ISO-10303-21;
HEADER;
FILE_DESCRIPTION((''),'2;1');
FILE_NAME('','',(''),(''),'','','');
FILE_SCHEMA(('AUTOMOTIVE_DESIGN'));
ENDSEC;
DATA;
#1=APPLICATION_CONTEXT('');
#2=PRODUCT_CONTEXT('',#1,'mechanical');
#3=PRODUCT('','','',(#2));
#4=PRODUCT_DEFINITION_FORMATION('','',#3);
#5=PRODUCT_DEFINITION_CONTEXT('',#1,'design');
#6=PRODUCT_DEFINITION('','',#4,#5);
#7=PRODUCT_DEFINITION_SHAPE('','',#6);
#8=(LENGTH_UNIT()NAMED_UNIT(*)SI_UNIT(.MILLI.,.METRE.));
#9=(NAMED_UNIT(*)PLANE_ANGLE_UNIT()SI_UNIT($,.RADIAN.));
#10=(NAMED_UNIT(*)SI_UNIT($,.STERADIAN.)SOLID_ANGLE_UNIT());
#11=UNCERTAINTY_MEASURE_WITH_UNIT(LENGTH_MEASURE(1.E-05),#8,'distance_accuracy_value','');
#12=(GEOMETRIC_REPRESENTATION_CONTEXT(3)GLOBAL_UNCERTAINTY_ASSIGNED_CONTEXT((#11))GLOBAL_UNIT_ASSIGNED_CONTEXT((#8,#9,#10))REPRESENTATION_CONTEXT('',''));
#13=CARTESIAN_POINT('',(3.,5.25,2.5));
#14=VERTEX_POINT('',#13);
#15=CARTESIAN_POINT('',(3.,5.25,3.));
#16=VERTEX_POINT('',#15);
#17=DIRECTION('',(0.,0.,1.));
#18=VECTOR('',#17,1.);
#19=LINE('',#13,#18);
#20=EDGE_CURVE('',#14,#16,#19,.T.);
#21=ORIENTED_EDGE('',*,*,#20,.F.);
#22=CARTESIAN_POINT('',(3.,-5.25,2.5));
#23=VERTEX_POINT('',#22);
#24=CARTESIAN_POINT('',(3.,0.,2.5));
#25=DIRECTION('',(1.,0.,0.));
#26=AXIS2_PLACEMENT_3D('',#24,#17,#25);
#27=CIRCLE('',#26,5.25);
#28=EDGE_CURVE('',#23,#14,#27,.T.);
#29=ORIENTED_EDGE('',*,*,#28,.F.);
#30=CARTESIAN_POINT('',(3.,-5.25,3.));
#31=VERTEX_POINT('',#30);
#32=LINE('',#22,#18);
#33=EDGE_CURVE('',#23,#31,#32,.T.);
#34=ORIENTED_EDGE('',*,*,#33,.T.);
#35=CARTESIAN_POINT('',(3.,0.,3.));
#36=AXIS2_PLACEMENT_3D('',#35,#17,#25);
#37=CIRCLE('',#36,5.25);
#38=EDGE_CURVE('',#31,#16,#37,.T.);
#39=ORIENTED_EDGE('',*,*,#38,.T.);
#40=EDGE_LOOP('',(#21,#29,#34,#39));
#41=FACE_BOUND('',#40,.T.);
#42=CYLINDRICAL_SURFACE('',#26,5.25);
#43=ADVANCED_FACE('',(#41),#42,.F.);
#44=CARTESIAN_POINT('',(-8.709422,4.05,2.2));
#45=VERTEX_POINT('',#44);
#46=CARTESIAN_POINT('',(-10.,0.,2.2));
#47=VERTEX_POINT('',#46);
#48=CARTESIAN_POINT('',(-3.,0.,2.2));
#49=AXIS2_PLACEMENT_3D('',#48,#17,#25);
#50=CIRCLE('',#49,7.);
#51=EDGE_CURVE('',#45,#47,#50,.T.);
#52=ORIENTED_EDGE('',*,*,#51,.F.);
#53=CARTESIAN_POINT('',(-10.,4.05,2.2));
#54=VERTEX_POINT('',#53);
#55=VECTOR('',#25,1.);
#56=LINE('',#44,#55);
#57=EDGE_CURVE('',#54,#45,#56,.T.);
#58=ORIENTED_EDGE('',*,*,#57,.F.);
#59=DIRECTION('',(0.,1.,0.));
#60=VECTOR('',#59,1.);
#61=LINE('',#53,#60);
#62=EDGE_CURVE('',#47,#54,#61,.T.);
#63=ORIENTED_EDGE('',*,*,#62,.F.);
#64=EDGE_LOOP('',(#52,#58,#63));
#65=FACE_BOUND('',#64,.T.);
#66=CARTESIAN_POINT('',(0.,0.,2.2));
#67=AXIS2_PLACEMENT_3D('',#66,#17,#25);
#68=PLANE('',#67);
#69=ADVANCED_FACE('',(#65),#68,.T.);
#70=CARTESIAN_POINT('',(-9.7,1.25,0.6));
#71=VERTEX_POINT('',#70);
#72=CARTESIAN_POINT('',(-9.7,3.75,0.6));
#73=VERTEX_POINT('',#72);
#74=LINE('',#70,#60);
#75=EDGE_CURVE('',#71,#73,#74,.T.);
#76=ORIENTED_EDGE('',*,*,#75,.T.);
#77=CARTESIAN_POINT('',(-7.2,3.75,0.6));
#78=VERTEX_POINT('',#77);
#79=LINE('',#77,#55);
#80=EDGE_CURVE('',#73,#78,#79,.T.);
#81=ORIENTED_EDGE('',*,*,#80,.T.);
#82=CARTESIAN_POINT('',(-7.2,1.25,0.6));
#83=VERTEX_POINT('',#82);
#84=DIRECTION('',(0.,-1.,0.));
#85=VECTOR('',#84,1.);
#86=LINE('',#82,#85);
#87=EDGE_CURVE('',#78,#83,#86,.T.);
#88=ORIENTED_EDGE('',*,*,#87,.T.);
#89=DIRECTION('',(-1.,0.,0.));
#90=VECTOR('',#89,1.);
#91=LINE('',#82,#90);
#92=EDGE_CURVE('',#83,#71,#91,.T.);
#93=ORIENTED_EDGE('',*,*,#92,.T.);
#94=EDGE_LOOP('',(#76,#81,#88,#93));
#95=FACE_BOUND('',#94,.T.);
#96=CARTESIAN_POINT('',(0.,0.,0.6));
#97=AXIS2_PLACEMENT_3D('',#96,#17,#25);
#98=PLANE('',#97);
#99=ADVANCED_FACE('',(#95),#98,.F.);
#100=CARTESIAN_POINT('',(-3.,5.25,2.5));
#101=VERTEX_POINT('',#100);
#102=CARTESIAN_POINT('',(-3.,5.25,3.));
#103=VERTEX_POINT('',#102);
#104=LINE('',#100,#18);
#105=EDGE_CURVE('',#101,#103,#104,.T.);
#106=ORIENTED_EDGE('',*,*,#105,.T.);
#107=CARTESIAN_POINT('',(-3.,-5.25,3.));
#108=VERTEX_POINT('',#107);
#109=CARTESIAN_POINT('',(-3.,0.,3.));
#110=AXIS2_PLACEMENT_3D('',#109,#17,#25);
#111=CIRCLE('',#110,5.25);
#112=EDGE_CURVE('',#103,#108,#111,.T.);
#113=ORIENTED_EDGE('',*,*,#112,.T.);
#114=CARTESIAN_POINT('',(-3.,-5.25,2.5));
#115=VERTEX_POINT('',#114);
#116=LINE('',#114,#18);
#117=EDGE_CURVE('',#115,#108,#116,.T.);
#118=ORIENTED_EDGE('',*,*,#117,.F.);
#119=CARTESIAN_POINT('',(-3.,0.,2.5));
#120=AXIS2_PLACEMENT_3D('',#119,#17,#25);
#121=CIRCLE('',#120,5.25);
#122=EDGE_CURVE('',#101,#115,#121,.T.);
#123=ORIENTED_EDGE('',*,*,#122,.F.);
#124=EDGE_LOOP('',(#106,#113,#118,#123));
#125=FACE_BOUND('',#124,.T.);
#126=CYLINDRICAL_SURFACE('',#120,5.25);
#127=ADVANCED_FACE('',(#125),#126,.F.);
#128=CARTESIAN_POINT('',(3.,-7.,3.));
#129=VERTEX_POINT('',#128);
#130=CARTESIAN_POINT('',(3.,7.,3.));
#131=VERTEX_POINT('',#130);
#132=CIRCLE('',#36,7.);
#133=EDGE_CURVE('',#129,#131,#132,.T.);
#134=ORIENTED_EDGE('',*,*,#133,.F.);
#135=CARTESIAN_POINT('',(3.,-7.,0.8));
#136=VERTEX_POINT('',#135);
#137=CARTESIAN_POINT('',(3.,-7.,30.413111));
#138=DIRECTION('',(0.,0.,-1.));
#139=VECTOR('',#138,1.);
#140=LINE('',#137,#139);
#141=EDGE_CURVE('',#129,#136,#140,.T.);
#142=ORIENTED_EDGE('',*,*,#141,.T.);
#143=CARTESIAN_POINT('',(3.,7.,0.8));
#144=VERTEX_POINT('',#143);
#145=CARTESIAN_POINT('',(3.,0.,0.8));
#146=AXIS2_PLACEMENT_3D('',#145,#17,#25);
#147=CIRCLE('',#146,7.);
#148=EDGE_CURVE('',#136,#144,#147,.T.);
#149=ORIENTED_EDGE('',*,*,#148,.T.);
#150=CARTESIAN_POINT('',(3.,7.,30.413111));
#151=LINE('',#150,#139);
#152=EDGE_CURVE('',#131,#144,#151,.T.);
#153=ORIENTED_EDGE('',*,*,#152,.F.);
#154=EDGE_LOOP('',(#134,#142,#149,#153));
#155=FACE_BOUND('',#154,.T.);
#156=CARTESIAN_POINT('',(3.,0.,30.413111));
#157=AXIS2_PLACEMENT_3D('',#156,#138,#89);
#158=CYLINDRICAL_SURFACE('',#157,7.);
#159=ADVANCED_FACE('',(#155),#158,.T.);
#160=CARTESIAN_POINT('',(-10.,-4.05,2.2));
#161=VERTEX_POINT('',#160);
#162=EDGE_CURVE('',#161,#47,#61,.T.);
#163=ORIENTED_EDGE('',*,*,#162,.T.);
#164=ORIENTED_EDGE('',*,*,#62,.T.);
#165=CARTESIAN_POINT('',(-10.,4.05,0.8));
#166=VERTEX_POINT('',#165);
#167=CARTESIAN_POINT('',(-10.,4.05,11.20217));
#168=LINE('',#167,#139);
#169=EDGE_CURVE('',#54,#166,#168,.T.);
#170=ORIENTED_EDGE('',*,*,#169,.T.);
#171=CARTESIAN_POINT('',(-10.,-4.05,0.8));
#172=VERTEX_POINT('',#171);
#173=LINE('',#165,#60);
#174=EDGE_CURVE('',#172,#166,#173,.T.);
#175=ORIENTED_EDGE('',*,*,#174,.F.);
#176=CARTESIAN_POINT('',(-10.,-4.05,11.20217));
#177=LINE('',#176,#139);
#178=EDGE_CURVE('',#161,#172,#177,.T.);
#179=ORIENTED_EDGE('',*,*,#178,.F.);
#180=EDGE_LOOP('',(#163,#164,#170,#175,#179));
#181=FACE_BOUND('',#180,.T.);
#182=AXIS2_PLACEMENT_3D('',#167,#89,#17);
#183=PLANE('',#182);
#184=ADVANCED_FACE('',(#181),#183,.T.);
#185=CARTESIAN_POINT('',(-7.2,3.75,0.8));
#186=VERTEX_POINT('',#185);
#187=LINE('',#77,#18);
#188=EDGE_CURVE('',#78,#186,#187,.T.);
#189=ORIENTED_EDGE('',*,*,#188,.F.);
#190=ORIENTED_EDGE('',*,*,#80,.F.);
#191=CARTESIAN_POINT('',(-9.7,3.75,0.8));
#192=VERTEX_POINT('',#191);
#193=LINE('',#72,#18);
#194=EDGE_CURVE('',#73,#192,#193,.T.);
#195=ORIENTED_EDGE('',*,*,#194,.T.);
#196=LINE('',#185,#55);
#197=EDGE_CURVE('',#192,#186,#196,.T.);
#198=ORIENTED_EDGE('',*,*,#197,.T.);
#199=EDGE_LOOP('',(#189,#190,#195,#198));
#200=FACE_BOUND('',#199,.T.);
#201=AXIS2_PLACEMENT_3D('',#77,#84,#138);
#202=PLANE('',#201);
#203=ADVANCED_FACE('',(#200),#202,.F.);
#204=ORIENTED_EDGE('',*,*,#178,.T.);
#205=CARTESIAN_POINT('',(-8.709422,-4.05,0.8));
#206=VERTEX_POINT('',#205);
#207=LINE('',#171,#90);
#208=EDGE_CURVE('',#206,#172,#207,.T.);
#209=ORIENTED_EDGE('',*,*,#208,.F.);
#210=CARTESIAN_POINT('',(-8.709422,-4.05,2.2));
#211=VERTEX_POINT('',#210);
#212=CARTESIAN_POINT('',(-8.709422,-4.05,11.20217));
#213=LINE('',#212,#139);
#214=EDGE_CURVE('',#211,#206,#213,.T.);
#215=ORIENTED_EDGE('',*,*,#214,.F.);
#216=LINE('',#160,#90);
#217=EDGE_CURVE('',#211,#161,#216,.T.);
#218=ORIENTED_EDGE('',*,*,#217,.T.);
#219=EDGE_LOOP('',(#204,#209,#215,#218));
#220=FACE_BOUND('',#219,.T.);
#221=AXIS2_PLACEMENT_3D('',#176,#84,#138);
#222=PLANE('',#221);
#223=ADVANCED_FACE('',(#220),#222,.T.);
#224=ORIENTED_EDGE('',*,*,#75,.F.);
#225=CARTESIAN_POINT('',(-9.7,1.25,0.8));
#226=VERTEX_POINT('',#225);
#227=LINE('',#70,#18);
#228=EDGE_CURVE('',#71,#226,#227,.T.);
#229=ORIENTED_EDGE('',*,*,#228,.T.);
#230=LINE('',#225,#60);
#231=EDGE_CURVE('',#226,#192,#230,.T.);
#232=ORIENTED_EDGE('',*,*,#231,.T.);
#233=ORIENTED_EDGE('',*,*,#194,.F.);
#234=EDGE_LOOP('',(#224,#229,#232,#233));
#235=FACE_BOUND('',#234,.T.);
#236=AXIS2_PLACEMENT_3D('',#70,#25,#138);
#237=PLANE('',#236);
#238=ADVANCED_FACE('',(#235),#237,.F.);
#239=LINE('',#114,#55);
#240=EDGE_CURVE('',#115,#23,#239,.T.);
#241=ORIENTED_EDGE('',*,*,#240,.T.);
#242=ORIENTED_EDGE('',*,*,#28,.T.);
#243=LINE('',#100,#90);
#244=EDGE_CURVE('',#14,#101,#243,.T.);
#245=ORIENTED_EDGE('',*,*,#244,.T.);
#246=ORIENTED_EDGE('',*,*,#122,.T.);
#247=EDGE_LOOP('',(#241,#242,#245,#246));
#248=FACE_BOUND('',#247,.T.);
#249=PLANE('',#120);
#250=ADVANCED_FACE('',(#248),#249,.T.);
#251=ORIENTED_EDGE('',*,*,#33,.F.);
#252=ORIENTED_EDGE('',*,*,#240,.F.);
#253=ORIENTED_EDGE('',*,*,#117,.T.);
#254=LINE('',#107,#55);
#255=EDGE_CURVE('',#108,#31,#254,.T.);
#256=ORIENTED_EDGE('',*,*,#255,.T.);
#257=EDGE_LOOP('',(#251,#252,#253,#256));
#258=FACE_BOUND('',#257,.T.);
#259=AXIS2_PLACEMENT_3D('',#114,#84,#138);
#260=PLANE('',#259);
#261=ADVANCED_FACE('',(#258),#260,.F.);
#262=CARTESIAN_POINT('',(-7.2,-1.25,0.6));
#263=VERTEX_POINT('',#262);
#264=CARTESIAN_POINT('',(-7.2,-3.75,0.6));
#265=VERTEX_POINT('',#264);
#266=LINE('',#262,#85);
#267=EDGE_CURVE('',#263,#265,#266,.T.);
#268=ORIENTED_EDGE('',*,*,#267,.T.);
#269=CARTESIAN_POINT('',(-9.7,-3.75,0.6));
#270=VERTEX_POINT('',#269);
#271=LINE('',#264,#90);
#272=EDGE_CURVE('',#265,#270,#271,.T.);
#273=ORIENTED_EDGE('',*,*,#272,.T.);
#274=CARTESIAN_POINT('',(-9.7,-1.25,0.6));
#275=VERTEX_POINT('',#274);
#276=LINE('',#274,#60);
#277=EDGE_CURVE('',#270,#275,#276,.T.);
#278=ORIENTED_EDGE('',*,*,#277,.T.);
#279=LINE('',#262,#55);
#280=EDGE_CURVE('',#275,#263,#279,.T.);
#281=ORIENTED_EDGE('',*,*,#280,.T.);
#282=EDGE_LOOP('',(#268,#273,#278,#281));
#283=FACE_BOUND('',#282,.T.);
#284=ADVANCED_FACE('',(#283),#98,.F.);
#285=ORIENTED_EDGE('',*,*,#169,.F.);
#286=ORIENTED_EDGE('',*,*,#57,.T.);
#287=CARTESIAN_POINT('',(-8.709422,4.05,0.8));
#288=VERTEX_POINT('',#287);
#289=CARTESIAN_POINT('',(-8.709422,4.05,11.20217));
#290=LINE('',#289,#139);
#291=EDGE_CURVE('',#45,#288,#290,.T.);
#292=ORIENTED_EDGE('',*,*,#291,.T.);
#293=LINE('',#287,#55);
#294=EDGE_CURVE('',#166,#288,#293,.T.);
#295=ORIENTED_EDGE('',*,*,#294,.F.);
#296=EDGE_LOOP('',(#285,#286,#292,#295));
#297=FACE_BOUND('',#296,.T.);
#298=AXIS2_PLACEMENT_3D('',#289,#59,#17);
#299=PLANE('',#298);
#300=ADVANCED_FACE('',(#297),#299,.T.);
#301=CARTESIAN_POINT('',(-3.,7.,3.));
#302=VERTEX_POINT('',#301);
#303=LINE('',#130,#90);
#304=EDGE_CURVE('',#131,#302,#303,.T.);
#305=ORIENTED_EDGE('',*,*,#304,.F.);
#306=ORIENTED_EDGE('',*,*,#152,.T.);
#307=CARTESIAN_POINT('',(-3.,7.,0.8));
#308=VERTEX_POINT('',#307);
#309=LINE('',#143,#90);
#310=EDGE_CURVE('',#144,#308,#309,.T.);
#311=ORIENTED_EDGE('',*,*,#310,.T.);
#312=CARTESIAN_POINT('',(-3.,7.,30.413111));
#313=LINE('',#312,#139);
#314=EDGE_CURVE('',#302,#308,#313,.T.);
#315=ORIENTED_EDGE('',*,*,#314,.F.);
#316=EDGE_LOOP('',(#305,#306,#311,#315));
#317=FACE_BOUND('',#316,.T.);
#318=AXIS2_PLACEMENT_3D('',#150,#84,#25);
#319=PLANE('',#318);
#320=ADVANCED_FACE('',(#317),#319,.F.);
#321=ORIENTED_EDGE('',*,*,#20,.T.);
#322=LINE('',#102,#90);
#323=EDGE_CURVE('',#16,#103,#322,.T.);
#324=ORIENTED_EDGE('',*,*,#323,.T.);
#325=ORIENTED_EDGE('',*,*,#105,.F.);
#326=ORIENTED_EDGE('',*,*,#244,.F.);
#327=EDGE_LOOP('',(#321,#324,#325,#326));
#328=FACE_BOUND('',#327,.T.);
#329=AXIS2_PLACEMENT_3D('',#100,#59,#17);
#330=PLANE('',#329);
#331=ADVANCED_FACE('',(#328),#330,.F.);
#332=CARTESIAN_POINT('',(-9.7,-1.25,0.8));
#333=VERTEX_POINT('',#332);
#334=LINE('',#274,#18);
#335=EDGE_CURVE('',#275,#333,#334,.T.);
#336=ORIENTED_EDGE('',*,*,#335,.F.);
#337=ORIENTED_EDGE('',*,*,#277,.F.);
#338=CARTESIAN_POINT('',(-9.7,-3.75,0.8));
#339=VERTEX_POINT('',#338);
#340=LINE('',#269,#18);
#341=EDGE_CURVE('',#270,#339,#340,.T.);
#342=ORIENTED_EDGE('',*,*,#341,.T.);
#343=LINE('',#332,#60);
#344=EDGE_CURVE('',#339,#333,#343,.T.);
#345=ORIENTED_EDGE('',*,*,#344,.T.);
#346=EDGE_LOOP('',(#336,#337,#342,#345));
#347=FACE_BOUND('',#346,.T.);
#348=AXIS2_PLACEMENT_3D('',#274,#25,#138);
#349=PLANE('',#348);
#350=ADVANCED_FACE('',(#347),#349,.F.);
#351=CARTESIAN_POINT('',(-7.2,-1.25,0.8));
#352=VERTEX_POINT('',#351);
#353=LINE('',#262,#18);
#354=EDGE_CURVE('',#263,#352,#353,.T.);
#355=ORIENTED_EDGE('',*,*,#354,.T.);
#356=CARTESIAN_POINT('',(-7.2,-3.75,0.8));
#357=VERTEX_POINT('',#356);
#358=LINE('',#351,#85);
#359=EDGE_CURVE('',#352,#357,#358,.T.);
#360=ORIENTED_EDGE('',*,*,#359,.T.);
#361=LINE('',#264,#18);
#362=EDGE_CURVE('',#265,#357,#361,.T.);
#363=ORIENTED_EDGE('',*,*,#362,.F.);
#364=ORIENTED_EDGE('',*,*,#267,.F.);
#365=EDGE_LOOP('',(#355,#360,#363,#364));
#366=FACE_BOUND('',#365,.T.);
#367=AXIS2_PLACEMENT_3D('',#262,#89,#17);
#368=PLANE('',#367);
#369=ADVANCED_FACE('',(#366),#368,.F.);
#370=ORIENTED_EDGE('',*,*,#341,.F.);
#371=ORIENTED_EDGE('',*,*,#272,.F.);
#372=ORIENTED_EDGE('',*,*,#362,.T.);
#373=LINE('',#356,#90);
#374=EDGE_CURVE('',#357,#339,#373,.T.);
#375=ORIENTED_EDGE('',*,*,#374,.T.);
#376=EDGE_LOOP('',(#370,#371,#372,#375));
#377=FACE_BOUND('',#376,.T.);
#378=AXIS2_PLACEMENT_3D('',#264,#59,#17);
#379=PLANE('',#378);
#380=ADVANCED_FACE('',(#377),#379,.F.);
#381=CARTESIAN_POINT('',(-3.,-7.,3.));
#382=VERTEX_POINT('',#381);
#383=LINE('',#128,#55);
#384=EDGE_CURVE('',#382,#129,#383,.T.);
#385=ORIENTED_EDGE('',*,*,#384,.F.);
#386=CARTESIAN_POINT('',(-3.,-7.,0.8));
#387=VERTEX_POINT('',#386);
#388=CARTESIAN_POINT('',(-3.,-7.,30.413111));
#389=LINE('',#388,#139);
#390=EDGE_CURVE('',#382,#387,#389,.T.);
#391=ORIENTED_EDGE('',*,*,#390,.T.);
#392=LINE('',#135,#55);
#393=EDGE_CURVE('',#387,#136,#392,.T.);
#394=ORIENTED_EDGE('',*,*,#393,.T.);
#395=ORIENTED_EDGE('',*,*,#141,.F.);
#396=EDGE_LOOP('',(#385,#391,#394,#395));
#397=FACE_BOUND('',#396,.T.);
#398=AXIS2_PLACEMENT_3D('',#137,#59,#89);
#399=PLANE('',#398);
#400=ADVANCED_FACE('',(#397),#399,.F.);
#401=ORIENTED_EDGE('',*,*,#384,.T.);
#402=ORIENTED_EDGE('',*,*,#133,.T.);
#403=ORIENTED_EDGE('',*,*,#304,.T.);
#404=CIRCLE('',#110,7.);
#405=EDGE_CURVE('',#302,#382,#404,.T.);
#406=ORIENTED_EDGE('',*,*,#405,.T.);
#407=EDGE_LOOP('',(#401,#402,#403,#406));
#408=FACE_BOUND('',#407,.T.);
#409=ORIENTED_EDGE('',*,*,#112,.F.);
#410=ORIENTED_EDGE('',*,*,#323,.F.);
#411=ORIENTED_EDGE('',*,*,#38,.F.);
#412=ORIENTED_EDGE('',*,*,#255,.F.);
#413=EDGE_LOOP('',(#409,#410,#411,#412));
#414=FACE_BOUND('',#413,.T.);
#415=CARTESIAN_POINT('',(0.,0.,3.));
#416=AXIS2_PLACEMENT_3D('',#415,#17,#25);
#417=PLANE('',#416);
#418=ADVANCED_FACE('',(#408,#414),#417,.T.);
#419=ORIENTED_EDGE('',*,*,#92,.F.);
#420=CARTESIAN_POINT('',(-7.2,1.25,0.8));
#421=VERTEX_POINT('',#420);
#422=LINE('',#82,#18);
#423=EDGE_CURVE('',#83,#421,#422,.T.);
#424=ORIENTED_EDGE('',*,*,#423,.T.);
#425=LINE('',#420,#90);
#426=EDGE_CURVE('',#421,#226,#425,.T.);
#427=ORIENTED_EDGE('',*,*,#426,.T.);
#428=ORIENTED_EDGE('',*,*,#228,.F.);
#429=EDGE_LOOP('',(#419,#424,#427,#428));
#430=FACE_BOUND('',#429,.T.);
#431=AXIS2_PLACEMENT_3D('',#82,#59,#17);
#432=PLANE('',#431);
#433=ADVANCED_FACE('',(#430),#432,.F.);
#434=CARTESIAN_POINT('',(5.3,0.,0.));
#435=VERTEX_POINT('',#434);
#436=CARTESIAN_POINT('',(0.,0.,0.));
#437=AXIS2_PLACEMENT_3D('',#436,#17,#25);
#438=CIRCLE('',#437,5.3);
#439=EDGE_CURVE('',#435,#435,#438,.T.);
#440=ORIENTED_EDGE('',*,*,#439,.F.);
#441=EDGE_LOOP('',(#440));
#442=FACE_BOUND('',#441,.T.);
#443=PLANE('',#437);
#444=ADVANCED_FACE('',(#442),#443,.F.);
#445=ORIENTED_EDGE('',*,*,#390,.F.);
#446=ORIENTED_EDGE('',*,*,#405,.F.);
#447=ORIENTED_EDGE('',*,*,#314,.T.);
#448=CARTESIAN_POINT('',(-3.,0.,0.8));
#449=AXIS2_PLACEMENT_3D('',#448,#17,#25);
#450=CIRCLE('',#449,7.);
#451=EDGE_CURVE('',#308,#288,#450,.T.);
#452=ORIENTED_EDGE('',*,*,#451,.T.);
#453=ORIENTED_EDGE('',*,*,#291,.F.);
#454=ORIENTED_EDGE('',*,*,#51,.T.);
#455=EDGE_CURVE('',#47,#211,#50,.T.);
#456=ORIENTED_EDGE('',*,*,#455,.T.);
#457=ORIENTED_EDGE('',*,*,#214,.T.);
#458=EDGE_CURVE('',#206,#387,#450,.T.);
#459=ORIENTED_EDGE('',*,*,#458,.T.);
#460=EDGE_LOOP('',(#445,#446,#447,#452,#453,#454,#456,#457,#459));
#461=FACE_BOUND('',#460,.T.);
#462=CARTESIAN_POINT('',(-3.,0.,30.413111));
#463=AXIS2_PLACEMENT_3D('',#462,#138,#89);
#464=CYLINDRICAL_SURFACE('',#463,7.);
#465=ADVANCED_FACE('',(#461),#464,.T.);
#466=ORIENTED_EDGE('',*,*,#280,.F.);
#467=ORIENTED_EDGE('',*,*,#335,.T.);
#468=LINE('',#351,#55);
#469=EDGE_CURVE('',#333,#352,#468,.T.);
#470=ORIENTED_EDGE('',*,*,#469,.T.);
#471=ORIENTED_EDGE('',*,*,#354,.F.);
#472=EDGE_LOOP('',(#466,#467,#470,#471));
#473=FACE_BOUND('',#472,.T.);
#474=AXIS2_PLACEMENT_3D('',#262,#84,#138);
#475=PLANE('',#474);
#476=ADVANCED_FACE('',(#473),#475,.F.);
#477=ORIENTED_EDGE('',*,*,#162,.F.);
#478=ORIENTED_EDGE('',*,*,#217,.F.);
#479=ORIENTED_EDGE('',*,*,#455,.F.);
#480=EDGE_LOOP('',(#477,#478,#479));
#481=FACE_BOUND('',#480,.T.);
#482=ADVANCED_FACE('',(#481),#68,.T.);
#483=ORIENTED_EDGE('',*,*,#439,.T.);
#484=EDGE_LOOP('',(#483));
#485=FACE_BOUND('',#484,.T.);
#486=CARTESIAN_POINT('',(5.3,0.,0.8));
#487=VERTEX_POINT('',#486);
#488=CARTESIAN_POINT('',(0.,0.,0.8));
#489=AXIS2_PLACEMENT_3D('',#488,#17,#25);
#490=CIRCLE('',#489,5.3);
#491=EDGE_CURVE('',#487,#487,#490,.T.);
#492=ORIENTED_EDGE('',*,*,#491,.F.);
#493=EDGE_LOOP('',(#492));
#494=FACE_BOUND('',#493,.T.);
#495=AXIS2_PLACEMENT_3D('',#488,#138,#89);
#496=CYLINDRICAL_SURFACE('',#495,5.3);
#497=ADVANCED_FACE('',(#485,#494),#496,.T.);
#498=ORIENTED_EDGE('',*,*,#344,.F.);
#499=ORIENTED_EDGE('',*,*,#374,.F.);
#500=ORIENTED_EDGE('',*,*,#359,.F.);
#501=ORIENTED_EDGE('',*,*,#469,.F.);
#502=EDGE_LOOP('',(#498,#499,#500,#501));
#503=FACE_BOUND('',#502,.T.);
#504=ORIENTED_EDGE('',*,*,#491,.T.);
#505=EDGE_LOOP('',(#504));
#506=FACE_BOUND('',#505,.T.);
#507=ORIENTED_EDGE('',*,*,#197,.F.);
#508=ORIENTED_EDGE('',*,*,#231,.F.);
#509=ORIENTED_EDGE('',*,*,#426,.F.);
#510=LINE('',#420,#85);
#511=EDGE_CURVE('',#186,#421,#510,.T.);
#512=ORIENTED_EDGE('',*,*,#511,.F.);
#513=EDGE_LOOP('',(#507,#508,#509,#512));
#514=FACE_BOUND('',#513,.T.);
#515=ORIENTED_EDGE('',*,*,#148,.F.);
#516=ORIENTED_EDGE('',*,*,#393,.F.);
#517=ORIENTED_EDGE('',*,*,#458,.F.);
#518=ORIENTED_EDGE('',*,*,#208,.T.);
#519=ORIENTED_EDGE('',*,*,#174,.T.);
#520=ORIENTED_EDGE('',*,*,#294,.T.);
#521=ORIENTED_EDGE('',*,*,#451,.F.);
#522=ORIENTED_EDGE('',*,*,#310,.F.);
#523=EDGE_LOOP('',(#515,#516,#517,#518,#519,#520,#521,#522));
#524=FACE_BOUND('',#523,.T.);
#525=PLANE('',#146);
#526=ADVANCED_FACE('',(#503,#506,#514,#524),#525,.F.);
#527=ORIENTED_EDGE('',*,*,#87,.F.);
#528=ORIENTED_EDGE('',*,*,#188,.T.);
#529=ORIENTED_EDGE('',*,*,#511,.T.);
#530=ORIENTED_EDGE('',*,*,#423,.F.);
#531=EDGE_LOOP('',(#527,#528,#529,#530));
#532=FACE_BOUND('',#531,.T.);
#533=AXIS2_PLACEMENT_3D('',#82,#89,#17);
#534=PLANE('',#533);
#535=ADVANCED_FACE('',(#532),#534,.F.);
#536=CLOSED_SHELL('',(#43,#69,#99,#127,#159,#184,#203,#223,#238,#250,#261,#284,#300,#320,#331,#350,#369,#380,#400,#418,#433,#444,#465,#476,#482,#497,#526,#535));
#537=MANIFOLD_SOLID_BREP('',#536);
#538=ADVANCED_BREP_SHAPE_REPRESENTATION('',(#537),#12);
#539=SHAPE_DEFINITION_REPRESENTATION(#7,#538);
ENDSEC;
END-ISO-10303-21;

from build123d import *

# Parameters (mm, degrees)
SKETCH_1_R          = 5.3
EXTRUDE_1_DEPTH     = 0.8
EXTRUDE_2_DEPTH     = 2.2
CUT_EXTRUDE_1_DEPTH = 0.5
SKETCH_5_W          = 1.290577963
SKETCH_5_H          = 8.1
EXTRUDE_5_DEPTH     = 1.4
SKETCH_4_W          = 2.5
SKETCH_4_H          = 2.5
EXTRUDE_4_DEPTH     = 0.2


with BuildPart() as part:
    # Эскиз1 → Бобышка-Вытянуть1 (new body)
    with BuildSketch(Plane.XY):
        Circle(SKETCH_1_R)
    extrude(amount=EXTRUDE_1_DEPTH)

    # Эскиз2 → Бобышка-Вытянуть2 (add)
    with BuildSketch(Plane.XY.offset(0.8)):
        with BuildLine():
            Line((3, -7), (-3, -7))
            ThreePointArc((-3, -7), (-10, 0), (-3, 7))
            Line((-3, 7), (3, 7))
            ThreePointArc((3, 7), (10, 0), (3, -7))
        make_face()
    extrude(amount=EXTRUDE_2_DEPTH)

    # Эскиз3 → Вырез-Вытянуть1 (cut)
    with BuildSketch(Plane.XY.offset(3)):
        with BuildLine():
            Line((-3, 5.25), (3, 5.25))
            ThreePointArc((3, 5.25), (8.25, 0), (3, -5.25))
            Line((3, -5.25), (-3, -5.25))
            ThreePointArc((-3, -5.25), (-8.25, 0), (-3, 5.25))
        make_face()
    extrude(amount=-CUT_EXTRUDE_1_DEPTH, mode=Mode.SUBTRACT)

    # Эскиз5 → Бобышка-Вытянуть5 (add)
    with BuildSketch(Plane(origin=(0, 0, 0.8), x_dir=(-1, 0, 0), z_dir=(0, 0, -1))):
        with Locations((9.354711019, 0)):
            Rectangle(SKETCH_5_W, SKETCH_5_H)
    extrude(amount=-EXTRUDE_5_DEPTH)

    # Эскиз4 → Бобышка-Вытянуть4 (add)
    with BuildSketch(Plane(origin=(0, 0, 0.8), x_dir=(-1, 0, 0), z_dir=(0, 0, -1))):
        with Locations((8.45, 2.5)):
            Rectangle(SKETCH_4_W, SKETCH_4_H)
        with Locations((8.45, -2.5)):
            Rectangle(SKETCH_4_W, SKETCH_4_H)
    extrude(amount=EXTRUDE_4_DEPTH)


solid = part.part
